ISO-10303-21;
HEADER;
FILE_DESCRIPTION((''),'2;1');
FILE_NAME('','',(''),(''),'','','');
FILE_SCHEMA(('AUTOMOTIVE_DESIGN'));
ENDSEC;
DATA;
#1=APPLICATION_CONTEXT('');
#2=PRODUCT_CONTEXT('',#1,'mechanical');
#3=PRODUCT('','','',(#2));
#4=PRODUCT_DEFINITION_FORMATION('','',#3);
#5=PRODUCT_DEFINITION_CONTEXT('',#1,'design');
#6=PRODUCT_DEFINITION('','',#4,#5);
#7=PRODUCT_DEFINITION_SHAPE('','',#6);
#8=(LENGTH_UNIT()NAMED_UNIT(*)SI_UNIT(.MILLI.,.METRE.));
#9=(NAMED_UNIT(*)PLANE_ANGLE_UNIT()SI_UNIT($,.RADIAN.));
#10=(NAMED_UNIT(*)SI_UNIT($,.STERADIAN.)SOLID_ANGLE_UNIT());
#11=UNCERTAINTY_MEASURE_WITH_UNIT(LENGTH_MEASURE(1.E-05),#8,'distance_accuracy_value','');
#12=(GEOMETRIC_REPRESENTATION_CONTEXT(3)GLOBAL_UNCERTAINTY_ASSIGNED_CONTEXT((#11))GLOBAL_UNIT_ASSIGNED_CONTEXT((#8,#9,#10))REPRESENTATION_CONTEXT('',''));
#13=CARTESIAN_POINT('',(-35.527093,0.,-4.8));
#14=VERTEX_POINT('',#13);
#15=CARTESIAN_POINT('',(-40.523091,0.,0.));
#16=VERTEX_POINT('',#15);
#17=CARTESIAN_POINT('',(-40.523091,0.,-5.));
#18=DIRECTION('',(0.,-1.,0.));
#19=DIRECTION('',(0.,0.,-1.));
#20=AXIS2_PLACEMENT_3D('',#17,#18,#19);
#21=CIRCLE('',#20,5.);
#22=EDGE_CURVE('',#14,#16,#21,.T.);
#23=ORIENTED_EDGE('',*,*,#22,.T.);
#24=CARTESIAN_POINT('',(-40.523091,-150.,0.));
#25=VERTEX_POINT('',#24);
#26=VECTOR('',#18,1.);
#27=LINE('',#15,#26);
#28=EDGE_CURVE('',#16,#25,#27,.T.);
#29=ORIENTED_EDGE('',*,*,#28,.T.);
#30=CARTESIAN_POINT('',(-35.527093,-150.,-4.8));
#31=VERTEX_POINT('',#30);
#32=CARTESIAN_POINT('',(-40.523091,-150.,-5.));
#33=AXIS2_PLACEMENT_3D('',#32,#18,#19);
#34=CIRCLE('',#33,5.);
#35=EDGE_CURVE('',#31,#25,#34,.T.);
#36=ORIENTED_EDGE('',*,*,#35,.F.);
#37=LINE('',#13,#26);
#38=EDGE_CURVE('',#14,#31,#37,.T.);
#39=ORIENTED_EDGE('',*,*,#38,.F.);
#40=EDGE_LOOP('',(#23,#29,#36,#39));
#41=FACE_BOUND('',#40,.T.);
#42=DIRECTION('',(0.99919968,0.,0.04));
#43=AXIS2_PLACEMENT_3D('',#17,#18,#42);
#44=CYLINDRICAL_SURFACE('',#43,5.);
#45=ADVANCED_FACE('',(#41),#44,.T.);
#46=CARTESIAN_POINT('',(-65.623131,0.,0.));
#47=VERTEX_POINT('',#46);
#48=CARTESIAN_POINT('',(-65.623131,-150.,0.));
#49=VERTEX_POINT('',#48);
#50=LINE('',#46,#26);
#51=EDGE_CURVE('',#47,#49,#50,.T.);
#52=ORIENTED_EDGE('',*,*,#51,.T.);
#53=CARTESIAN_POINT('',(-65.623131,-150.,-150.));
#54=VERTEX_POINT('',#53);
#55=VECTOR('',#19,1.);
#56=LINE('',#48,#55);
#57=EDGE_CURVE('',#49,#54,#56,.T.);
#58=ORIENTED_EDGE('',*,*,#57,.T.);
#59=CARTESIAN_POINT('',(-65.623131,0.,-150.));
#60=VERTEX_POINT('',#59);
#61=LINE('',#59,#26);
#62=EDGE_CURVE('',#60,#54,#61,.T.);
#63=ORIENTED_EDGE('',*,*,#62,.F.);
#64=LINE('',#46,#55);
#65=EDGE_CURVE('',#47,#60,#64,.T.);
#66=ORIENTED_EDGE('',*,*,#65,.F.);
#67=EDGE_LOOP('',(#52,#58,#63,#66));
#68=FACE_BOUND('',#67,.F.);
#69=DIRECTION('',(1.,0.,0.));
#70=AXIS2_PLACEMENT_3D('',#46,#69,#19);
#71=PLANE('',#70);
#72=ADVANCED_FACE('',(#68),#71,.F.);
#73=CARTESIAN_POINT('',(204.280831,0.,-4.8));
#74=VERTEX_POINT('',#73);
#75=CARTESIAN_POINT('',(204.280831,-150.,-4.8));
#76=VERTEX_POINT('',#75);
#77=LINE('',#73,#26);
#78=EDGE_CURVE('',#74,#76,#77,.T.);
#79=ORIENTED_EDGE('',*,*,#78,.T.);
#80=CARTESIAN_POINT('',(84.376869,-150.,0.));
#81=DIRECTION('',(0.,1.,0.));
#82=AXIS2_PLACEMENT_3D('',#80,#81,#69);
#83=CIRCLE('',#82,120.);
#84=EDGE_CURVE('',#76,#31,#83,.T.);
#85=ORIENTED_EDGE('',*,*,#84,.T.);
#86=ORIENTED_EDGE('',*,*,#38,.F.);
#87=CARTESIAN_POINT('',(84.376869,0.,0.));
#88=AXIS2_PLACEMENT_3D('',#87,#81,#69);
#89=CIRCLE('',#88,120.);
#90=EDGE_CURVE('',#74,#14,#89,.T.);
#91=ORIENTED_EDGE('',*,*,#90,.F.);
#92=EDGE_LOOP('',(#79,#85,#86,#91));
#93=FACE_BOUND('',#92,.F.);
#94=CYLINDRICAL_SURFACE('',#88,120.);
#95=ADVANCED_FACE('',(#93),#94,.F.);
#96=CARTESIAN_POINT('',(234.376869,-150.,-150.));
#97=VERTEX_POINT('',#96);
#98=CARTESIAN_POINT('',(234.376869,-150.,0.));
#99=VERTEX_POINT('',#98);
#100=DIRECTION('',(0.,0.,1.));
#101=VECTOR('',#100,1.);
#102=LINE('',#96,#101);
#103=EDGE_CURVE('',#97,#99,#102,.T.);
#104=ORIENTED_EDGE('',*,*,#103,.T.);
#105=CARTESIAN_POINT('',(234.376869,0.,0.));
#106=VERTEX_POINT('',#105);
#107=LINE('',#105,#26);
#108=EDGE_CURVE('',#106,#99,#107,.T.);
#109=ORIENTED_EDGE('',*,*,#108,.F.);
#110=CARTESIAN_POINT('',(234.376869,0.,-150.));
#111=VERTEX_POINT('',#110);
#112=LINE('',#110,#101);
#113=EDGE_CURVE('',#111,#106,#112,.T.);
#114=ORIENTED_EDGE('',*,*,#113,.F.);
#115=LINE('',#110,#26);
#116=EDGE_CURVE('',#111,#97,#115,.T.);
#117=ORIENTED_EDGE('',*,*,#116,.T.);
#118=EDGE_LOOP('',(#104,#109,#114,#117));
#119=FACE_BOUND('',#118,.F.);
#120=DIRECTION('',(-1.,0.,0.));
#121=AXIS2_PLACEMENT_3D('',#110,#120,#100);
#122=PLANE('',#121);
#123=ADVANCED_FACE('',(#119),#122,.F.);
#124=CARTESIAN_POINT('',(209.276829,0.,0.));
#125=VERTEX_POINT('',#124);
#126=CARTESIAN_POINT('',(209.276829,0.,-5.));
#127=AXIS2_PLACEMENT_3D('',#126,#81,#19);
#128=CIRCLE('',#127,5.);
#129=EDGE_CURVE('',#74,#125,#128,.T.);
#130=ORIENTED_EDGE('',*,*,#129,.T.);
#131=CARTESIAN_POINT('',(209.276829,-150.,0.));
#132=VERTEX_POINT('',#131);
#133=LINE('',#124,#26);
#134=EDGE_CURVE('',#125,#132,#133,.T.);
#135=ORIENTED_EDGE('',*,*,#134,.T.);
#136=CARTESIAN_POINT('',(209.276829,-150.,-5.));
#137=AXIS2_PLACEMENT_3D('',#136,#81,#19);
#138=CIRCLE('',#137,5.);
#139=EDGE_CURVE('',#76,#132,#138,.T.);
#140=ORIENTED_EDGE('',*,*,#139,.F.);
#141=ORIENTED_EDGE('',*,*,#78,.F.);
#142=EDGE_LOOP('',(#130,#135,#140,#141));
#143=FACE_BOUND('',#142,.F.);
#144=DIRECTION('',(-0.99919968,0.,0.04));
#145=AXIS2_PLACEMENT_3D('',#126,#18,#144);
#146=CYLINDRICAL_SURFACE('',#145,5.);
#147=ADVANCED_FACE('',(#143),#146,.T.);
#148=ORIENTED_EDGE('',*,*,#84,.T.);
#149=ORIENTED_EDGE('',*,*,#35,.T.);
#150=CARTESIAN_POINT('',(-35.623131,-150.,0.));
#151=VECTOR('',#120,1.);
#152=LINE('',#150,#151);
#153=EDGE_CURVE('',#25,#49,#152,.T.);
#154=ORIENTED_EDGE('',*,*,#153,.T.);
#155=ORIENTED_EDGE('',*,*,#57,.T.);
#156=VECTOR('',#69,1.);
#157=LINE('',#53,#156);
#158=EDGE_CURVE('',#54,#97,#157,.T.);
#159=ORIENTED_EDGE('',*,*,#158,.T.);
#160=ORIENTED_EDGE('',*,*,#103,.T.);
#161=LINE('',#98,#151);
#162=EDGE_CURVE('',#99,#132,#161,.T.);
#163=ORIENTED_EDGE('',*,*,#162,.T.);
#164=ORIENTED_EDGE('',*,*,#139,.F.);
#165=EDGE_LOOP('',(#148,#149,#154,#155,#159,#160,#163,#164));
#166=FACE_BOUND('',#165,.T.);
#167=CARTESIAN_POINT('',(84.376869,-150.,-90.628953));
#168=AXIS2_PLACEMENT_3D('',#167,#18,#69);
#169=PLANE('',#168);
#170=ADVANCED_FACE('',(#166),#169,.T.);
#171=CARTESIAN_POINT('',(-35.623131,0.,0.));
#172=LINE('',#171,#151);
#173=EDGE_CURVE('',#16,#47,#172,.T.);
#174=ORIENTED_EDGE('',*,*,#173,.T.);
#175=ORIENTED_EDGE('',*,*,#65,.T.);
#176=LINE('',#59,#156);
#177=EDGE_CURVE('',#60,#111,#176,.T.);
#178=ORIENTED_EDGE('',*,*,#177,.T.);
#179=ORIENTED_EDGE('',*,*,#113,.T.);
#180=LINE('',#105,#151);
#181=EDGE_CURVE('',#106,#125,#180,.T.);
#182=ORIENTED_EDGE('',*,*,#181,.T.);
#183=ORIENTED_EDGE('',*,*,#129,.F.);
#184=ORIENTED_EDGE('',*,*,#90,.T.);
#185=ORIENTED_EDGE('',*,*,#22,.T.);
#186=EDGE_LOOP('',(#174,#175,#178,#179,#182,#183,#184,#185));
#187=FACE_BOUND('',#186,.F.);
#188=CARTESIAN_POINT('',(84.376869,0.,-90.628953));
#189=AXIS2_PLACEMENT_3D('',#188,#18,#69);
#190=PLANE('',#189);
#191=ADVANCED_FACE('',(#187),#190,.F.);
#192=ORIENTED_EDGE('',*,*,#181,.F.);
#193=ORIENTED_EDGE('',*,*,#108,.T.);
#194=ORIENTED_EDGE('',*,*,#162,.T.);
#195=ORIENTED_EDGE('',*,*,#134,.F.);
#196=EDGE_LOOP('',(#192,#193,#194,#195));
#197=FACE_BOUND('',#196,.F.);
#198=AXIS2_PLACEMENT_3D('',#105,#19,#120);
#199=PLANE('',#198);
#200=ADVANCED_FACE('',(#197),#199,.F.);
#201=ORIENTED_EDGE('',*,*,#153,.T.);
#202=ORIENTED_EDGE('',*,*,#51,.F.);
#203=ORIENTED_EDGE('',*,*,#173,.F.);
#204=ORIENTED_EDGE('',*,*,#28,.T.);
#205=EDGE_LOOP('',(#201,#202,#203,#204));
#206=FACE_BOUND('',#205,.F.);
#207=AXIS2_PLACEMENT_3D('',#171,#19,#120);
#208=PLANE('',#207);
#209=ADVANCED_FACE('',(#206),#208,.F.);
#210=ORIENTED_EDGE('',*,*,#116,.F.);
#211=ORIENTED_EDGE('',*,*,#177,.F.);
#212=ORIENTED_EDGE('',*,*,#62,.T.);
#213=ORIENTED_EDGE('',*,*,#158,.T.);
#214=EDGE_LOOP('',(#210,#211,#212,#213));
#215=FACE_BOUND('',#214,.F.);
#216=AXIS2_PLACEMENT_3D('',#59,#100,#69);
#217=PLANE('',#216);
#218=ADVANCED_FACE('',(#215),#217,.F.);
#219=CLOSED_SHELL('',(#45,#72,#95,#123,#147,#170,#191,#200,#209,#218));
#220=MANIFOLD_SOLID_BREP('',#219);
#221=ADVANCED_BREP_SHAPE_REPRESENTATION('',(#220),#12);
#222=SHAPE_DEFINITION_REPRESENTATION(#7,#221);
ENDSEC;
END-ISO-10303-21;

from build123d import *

# Parameters (mm, degrees)
F1_DEPTH = 150
F2_R     = 5


with BuildPart() as f1:
    # F0 (on Front) → F1 (new body)
    with BuildSketch(Plane.XZ):
        with BuildLine():
            ThreePointArc((204.376869, 0), (84.376869, -120), (-35.623131, 0))
            Line((-35.623131, 0), (-65.623131, 0))
            Line((-65.623131, 0), (-65.623131, -150))
            Line((-65.623131, -150), (234.376869, -150))
            Line((234.376869, -150), (234.376869, 0))
            Line((234.376869, 0), (204.376869, 0))
        make_face()
    extrude(amount=F1_DEPTH)

    # F2
    f2_edges = [f1.edges().sort_by_distance(p)[0] for p in [
        (-35.623131, -75, 0),
        (204.376869, -75, 0),
    ]]
    fillet(f2_edges, radius=F2_R)


solid = f1.part
